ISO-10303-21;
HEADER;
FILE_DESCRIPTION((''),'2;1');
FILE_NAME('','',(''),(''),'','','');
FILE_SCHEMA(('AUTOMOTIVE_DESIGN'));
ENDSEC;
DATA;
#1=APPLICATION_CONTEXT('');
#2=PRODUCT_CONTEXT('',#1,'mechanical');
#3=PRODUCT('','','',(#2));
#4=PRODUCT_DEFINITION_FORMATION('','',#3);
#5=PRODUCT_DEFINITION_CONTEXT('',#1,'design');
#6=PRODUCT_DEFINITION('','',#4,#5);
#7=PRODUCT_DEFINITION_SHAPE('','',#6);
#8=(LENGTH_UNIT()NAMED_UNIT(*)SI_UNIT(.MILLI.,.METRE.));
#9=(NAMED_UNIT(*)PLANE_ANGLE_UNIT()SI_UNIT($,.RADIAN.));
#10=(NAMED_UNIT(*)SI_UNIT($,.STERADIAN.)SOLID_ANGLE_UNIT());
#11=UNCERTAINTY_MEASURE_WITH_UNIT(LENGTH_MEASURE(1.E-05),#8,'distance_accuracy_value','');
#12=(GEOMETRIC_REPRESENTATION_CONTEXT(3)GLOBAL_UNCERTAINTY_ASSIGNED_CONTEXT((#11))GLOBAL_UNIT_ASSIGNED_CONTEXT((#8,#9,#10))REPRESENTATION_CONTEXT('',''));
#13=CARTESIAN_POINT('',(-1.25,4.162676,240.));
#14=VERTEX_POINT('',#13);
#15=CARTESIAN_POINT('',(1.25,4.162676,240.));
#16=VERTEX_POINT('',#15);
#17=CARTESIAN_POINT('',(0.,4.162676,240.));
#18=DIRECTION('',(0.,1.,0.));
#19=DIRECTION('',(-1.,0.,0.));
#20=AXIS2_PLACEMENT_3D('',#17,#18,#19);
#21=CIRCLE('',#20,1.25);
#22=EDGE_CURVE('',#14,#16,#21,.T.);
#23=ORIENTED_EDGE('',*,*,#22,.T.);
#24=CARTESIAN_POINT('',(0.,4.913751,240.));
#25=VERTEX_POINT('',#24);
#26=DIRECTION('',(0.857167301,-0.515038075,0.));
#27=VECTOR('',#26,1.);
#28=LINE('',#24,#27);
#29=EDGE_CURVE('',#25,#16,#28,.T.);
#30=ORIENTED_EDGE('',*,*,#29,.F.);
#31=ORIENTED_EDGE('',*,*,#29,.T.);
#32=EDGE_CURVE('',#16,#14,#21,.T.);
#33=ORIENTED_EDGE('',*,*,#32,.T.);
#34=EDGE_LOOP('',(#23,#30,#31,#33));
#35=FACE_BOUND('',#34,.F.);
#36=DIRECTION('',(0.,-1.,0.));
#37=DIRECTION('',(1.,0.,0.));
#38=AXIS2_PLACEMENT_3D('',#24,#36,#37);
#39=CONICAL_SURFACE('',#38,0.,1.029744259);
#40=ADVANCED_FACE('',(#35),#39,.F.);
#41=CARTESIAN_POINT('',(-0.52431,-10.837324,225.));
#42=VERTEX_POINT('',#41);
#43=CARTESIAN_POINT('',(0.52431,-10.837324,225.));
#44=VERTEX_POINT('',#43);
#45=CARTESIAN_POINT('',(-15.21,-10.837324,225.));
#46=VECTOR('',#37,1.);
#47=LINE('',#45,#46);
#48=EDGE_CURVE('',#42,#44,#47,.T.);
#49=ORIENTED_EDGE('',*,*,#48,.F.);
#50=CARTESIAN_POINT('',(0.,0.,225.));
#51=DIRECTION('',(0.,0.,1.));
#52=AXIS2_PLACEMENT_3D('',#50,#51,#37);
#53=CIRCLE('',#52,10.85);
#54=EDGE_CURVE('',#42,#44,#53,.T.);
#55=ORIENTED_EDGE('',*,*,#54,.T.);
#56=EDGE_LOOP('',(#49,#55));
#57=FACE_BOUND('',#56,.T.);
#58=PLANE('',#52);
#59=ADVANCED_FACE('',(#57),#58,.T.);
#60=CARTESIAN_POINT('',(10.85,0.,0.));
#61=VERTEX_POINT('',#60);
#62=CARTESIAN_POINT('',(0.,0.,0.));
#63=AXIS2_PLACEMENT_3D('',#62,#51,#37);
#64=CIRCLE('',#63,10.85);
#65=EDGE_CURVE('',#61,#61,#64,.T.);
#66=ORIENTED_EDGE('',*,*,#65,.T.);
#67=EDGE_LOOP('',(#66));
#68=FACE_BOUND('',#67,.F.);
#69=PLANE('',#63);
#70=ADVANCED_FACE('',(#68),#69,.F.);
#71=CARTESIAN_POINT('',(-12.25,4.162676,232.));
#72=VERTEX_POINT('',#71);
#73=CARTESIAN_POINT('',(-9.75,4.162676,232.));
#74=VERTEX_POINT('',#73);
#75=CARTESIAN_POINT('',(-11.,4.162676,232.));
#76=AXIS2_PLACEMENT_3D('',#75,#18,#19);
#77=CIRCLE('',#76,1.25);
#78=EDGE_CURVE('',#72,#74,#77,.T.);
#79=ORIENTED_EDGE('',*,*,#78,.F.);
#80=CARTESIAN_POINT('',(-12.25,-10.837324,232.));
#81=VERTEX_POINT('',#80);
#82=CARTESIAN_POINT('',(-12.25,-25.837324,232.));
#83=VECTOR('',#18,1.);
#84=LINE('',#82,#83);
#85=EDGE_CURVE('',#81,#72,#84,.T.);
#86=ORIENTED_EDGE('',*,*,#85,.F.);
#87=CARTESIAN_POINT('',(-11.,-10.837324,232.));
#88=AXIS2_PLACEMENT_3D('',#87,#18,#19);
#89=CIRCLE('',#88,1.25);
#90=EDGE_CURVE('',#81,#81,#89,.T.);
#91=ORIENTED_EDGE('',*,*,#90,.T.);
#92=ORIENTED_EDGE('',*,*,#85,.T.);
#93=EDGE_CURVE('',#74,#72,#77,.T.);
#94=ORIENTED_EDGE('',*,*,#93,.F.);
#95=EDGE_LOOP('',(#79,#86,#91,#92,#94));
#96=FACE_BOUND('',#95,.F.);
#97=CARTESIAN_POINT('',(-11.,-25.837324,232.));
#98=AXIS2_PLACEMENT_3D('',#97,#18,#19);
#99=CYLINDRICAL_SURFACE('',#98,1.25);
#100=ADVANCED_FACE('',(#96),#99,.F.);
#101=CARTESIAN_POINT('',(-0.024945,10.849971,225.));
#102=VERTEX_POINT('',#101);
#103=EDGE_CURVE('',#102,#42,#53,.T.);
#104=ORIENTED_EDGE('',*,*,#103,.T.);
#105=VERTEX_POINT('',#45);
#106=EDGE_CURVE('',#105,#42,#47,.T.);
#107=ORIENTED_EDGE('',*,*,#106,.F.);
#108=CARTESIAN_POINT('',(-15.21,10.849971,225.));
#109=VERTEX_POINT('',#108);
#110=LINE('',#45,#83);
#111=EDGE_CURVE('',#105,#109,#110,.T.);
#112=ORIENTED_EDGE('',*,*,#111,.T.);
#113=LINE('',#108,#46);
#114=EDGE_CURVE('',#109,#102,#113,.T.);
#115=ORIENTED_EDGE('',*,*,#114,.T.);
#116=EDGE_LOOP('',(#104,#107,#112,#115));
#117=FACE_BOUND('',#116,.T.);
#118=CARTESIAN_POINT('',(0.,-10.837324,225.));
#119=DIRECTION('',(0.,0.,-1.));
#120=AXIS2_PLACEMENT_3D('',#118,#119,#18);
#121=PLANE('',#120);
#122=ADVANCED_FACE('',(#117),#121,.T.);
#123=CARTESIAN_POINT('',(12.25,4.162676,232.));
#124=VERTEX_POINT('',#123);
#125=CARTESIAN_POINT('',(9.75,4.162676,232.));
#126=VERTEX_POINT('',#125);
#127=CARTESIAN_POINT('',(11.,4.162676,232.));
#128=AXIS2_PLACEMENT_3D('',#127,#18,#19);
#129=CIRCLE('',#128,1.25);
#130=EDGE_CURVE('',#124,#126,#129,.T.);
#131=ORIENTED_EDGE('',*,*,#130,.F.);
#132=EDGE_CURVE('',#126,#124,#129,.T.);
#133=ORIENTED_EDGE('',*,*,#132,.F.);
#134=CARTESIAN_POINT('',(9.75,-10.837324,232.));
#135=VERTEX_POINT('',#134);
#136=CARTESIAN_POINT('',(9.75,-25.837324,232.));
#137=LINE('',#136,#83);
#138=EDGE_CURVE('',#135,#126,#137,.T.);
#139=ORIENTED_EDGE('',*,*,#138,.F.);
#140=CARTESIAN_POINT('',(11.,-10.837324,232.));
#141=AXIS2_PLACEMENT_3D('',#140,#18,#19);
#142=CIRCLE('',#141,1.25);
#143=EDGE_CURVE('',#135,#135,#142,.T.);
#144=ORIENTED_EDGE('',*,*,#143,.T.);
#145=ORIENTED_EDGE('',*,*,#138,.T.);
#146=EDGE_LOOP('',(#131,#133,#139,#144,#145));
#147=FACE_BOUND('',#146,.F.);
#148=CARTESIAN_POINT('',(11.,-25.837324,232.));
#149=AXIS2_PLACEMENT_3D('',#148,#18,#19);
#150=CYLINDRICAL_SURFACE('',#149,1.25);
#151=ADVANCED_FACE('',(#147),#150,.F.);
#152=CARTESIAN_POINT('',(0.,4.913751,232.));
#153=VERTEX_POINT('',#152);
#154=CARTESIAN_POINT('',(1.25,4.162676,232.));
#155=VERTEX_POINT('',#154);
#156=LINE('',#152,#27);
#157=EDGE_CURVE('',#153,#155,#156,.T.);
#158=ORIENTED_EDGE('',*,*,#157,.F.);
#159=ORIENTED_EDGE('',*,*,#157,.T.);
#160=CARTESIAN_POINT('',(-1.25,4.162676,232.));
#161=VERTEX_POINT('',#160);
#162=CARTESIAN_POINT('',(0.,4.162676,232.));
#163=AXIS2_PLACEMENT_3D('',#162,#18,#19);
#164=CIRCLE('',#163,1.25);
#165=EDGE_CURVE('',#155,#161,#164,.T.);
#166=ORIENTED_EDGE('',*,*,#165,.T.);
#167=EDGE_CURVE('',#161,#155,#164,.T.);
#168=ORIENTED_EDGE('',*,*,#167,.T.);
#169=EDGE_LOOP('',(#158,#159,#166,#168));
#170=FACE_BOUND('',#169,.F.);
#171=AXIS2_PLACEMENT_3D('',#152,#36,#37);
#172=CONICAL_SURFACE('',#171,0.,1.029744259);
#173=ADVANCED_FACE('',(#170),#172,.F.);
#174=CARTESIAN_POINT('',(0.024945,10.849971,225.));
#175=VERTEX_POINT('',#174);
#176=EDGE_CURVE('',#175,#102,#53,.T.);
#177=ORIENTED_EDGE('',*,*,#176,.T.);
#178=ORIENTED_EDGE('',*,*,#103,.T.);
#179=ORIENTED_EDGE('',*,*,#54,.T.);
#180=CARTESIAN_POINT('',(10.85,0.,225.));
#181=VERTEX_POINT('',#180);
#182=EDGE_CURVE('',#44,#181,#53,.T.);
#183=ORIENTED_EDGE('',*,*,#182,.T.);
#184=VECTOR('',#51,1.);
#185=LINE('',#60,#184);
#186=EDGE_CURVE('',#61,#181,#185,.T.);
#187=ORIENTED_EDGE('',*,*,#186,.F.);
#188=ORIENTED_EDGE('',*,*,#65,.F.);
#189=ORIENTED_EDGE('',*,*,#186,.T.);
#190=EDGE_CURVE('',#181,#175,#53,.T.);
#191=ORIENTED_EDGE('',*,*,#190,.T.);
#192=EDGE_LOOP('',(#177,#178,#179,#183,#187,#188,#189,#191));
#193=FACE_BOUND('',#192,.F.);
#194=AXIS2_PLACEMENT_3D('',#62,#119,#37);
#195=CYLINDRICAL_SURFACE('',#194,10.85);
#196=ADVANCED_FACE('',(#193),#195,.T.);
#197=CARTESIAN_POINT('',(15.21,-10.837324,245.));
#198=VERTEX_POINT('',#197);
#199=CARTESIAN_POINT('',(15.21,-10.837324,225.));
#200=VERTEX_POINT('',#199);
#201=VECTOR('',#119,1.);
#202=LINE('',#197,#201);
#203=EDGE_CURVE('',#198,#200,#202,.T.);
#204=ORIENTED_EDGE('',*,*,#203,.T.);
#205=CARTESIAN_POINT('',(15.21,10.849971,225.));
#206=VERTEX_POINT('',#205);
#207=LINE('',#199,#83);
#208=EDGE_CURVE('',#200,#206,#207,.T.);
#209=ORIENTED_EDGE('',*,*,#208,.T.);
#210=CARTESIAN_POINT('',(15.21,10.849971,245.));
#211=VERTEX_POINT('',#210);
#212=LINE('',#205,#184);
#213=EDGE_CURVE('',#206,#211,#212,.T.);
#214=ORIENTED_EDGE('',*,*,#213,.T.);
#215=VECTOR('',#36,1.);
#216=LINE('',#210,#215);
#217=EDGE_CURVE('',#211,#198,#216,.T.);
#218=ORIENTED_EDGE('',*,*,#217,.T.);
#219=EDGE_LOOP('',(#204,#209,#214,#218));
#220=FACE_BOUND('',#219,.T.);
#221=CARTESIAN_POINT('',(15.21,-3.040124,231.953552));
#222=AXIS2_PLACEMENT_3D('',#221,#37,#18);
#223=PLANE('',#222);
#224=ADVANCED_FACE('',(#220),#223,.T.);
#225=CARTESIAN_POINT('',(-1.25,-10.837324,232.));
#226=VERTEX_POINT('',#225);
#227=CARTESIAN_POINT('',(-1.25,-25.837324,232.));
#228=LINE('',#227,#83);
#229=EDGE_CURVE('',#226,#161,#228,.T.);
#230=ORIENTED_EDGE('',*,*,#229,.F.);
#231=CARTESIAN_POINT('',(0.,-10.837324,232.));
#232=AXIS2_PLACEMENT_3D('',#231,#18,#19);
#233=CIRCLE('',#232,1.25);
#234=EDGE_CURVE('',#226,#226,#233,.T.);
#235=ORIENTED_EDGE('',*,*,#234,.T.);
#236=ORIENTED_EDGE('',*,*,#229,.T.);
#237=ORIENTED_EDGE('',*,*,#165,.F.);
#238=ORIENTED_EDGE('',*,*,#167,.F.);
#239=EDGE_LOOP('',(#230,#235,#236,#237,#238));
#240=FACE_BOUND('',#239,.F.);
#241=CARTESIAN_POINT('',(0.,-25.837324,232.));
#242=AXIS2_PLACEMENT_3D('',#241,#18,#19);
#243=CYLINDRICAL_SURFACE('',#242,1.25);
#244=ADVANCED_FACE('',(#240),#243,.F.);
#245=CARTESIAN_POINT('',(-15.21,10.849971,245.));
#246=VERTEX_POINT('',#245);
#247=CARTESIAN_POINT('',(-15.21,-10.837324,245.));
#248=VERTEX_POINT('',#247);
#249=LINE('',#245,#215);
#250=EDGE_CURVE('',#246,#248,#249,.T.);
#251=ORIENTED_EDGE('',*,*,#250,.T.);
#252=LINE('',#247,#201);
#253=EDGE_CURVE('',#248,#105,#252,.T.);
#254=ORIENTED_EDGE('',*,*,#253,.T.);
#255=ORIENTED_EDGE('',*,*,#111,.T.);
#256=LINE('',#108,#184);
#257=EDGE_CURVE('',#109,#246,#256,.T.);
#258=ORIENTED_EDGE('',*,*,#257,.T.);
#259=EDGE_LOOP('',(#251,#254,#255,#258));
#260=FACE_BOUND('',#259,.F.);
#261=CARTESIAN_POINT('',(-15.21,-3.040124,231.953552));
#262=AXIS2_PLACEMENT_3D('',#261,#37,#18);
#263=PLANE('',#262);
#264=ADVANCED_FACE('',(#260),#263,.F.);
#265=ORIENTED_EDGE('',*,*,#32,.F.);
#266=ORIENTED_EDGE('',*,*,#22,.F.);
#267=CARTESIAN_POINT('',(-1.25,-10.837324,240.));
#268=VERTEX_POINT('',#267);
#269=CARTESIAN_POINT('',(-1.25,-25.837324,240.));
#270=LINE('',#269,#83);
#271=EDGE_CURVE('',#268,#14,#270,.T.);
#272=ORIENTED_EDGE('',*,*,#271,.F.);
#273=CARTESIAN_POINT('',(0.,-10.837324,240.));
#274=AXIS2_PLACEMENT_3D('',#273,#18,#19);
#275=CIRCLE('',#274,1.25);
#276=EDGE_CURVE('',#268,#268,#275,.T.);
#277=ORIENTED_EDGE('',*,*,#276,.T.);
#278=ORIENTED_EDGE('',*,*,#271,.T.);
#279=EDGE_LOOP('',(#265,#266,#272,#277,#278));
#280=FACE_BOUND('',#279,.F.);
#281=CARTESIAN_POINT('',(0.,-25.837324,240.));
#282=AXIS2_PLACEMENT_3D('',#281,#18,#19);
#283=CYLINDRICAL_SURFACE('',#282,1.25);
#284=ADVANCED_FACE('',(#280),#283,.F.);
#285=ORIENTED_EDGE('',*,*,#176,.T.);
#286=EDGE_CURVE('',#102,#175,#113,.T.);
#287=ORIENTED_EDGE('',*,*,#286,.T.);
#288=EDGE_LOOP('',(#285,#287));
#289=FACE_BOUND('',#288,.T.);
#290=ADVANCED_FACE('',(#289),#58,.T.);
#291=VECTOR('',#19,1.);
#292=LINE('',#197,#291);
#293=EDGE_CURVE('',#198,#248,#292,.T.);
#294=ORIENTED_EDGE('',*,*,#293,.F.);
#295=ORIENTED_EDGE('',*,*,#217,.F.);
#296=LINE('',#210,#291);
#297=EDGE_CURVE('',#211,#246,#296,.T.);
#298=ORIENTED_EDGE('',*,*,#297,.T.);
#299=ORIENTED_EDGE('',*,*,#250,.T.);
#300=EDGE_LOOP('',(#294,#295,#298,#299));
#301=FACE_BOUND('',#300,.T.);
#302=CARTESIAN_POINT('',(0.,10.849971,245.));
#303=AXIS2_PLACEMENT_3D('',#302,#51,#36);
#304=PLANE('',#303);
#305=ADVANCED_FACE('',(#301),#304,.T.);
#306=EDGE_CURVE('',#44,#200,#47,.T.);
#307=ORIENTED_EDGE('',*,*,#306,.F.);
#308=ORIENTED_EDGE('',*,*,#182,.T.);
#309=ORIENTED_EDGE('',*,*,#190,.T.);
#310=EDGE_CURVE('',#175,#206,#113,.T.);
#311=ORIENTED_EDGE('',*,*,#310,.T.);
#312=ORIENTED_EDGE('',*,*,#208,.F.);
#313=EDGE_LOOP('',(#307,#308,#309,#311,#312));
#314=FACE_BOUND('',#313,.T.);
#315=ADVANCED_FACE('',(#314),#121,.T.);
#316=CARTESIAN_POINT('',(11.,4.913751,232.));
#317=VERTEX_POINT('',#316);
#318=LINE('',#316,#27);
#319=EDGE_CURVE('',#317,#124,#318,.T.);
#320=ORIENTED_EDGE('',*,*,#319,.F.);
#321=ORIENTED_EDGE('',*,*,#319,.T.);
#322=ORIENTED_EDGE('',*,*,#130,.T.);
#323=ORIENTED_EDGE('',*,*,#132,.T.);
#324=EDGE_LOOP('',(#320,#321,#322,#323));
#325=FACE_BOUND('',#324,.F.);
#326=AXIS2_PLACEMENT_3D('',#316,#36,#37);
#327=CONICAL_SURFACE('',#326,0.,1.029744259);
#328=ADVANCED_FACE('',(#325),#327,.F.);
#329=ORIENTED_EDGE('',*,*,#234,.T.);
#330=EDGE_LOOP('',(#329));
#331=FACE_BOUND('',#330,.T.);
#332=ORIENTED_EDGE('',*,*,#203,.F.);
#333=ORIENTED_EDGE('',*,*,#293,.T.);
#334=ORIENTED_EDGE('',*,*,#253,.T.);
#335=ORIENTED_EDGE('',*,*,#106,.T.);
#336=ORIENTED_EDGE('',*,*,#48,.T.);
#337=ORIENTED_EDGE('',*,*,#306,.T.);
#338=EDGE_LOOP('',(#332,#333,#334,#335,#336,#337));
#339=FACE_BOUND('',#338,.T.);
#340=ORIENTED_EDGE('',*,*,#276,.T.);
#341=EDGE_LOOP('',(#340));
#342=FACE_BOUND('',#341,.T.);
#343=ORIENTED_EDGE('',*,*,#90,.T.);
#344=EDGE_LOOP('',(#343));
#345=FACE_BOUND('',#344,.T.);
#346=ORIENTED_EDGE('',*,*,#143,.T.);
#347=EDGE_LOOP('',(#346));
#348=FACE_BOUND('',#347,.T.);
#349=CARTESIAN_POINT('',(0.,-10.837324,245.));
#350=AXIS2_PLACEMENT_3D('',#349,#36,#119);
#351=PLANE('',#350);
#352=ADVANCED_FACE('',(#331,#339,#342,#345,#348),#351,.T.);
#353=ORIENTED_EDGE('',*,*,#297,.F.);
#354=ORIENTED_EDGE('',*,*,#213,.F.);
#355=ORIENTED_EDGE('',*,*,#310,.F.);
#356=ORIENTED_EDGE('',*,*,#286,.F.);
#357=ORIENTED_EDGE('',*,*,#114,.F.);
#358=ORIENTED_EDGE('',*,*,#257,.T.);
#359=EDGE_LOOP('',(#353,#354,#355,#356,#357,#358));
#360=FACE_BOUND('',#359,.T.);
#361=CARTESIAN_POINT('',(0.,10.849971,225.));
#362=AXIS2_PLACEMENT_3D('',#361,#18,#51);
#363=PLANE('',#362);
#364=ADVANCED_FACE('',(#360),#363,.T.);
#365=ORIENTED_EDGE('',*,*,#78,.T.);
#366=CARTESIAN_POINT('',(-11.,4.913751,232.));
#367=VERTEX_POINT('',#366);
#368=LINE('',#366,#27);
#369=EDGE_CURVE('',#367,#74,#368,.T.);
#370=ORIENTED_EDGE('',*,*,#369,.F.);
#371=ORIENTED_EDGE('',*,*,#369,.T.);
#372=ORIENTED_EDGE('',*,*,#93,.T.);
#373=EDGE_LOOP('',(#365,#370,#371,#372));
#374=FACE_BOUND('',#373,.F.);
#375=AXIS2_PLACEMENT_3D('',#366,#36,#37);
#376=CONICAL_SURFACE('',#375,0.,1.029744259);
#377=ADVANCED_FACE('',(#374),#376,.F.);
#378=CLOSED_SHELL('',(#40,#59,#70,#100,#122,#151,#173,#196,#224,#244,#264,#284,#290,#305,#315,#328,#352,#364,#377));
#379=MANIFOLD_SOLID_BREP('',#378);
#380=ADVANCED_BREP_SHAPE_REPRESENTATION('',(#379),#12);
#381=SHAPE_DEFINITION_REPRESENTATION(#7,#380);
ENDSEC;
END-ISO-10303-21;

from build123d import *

# Parameters (mm, degrees)
F0_R     = 10.85
F1_DEPTH = 225
F4_DEPTH = 15.21
F6_D     = 2.5
F6_DEPTH = 15
F6_TIP   = 0.7510757738


with BuildPart() as f1:
    # F0 (on Top) → F1 (new body)
    with BuildSketch(Plane.XY):
        Circle(F0_R)
    extrude(amount=F1_DEPTH)

    # F3 (on face) → F4 (join, symmetric)
    with BuildSketch(Plane.YZ):
        Polygon((-10.8373243377, 245), (-10.8373243377, 225), (10.8499713242, 225), align=None)
        Polygon((10.8499713242, 245), (-10.8373243377, 245), (10.8499713242, 225), align=None)
    extrude(amount=F4_DEPTH, both=True)

    # F6
    with Locations(Plane.XZ.offset(10.8373243377)):
        with Locations((11, 232), (0, 232), (-11, 232), (0, 240)):
            Hole(F6_D / 2, depth=F6_DEPTH)
            with Locations((0, 0, -(F6_DEPTH + F6_TIP / 2))):  # 118° drill point
                Cone(0, F6_D / 2, F6_TIP, mode=Mode.SUBTRACT)


solid = f1.part
